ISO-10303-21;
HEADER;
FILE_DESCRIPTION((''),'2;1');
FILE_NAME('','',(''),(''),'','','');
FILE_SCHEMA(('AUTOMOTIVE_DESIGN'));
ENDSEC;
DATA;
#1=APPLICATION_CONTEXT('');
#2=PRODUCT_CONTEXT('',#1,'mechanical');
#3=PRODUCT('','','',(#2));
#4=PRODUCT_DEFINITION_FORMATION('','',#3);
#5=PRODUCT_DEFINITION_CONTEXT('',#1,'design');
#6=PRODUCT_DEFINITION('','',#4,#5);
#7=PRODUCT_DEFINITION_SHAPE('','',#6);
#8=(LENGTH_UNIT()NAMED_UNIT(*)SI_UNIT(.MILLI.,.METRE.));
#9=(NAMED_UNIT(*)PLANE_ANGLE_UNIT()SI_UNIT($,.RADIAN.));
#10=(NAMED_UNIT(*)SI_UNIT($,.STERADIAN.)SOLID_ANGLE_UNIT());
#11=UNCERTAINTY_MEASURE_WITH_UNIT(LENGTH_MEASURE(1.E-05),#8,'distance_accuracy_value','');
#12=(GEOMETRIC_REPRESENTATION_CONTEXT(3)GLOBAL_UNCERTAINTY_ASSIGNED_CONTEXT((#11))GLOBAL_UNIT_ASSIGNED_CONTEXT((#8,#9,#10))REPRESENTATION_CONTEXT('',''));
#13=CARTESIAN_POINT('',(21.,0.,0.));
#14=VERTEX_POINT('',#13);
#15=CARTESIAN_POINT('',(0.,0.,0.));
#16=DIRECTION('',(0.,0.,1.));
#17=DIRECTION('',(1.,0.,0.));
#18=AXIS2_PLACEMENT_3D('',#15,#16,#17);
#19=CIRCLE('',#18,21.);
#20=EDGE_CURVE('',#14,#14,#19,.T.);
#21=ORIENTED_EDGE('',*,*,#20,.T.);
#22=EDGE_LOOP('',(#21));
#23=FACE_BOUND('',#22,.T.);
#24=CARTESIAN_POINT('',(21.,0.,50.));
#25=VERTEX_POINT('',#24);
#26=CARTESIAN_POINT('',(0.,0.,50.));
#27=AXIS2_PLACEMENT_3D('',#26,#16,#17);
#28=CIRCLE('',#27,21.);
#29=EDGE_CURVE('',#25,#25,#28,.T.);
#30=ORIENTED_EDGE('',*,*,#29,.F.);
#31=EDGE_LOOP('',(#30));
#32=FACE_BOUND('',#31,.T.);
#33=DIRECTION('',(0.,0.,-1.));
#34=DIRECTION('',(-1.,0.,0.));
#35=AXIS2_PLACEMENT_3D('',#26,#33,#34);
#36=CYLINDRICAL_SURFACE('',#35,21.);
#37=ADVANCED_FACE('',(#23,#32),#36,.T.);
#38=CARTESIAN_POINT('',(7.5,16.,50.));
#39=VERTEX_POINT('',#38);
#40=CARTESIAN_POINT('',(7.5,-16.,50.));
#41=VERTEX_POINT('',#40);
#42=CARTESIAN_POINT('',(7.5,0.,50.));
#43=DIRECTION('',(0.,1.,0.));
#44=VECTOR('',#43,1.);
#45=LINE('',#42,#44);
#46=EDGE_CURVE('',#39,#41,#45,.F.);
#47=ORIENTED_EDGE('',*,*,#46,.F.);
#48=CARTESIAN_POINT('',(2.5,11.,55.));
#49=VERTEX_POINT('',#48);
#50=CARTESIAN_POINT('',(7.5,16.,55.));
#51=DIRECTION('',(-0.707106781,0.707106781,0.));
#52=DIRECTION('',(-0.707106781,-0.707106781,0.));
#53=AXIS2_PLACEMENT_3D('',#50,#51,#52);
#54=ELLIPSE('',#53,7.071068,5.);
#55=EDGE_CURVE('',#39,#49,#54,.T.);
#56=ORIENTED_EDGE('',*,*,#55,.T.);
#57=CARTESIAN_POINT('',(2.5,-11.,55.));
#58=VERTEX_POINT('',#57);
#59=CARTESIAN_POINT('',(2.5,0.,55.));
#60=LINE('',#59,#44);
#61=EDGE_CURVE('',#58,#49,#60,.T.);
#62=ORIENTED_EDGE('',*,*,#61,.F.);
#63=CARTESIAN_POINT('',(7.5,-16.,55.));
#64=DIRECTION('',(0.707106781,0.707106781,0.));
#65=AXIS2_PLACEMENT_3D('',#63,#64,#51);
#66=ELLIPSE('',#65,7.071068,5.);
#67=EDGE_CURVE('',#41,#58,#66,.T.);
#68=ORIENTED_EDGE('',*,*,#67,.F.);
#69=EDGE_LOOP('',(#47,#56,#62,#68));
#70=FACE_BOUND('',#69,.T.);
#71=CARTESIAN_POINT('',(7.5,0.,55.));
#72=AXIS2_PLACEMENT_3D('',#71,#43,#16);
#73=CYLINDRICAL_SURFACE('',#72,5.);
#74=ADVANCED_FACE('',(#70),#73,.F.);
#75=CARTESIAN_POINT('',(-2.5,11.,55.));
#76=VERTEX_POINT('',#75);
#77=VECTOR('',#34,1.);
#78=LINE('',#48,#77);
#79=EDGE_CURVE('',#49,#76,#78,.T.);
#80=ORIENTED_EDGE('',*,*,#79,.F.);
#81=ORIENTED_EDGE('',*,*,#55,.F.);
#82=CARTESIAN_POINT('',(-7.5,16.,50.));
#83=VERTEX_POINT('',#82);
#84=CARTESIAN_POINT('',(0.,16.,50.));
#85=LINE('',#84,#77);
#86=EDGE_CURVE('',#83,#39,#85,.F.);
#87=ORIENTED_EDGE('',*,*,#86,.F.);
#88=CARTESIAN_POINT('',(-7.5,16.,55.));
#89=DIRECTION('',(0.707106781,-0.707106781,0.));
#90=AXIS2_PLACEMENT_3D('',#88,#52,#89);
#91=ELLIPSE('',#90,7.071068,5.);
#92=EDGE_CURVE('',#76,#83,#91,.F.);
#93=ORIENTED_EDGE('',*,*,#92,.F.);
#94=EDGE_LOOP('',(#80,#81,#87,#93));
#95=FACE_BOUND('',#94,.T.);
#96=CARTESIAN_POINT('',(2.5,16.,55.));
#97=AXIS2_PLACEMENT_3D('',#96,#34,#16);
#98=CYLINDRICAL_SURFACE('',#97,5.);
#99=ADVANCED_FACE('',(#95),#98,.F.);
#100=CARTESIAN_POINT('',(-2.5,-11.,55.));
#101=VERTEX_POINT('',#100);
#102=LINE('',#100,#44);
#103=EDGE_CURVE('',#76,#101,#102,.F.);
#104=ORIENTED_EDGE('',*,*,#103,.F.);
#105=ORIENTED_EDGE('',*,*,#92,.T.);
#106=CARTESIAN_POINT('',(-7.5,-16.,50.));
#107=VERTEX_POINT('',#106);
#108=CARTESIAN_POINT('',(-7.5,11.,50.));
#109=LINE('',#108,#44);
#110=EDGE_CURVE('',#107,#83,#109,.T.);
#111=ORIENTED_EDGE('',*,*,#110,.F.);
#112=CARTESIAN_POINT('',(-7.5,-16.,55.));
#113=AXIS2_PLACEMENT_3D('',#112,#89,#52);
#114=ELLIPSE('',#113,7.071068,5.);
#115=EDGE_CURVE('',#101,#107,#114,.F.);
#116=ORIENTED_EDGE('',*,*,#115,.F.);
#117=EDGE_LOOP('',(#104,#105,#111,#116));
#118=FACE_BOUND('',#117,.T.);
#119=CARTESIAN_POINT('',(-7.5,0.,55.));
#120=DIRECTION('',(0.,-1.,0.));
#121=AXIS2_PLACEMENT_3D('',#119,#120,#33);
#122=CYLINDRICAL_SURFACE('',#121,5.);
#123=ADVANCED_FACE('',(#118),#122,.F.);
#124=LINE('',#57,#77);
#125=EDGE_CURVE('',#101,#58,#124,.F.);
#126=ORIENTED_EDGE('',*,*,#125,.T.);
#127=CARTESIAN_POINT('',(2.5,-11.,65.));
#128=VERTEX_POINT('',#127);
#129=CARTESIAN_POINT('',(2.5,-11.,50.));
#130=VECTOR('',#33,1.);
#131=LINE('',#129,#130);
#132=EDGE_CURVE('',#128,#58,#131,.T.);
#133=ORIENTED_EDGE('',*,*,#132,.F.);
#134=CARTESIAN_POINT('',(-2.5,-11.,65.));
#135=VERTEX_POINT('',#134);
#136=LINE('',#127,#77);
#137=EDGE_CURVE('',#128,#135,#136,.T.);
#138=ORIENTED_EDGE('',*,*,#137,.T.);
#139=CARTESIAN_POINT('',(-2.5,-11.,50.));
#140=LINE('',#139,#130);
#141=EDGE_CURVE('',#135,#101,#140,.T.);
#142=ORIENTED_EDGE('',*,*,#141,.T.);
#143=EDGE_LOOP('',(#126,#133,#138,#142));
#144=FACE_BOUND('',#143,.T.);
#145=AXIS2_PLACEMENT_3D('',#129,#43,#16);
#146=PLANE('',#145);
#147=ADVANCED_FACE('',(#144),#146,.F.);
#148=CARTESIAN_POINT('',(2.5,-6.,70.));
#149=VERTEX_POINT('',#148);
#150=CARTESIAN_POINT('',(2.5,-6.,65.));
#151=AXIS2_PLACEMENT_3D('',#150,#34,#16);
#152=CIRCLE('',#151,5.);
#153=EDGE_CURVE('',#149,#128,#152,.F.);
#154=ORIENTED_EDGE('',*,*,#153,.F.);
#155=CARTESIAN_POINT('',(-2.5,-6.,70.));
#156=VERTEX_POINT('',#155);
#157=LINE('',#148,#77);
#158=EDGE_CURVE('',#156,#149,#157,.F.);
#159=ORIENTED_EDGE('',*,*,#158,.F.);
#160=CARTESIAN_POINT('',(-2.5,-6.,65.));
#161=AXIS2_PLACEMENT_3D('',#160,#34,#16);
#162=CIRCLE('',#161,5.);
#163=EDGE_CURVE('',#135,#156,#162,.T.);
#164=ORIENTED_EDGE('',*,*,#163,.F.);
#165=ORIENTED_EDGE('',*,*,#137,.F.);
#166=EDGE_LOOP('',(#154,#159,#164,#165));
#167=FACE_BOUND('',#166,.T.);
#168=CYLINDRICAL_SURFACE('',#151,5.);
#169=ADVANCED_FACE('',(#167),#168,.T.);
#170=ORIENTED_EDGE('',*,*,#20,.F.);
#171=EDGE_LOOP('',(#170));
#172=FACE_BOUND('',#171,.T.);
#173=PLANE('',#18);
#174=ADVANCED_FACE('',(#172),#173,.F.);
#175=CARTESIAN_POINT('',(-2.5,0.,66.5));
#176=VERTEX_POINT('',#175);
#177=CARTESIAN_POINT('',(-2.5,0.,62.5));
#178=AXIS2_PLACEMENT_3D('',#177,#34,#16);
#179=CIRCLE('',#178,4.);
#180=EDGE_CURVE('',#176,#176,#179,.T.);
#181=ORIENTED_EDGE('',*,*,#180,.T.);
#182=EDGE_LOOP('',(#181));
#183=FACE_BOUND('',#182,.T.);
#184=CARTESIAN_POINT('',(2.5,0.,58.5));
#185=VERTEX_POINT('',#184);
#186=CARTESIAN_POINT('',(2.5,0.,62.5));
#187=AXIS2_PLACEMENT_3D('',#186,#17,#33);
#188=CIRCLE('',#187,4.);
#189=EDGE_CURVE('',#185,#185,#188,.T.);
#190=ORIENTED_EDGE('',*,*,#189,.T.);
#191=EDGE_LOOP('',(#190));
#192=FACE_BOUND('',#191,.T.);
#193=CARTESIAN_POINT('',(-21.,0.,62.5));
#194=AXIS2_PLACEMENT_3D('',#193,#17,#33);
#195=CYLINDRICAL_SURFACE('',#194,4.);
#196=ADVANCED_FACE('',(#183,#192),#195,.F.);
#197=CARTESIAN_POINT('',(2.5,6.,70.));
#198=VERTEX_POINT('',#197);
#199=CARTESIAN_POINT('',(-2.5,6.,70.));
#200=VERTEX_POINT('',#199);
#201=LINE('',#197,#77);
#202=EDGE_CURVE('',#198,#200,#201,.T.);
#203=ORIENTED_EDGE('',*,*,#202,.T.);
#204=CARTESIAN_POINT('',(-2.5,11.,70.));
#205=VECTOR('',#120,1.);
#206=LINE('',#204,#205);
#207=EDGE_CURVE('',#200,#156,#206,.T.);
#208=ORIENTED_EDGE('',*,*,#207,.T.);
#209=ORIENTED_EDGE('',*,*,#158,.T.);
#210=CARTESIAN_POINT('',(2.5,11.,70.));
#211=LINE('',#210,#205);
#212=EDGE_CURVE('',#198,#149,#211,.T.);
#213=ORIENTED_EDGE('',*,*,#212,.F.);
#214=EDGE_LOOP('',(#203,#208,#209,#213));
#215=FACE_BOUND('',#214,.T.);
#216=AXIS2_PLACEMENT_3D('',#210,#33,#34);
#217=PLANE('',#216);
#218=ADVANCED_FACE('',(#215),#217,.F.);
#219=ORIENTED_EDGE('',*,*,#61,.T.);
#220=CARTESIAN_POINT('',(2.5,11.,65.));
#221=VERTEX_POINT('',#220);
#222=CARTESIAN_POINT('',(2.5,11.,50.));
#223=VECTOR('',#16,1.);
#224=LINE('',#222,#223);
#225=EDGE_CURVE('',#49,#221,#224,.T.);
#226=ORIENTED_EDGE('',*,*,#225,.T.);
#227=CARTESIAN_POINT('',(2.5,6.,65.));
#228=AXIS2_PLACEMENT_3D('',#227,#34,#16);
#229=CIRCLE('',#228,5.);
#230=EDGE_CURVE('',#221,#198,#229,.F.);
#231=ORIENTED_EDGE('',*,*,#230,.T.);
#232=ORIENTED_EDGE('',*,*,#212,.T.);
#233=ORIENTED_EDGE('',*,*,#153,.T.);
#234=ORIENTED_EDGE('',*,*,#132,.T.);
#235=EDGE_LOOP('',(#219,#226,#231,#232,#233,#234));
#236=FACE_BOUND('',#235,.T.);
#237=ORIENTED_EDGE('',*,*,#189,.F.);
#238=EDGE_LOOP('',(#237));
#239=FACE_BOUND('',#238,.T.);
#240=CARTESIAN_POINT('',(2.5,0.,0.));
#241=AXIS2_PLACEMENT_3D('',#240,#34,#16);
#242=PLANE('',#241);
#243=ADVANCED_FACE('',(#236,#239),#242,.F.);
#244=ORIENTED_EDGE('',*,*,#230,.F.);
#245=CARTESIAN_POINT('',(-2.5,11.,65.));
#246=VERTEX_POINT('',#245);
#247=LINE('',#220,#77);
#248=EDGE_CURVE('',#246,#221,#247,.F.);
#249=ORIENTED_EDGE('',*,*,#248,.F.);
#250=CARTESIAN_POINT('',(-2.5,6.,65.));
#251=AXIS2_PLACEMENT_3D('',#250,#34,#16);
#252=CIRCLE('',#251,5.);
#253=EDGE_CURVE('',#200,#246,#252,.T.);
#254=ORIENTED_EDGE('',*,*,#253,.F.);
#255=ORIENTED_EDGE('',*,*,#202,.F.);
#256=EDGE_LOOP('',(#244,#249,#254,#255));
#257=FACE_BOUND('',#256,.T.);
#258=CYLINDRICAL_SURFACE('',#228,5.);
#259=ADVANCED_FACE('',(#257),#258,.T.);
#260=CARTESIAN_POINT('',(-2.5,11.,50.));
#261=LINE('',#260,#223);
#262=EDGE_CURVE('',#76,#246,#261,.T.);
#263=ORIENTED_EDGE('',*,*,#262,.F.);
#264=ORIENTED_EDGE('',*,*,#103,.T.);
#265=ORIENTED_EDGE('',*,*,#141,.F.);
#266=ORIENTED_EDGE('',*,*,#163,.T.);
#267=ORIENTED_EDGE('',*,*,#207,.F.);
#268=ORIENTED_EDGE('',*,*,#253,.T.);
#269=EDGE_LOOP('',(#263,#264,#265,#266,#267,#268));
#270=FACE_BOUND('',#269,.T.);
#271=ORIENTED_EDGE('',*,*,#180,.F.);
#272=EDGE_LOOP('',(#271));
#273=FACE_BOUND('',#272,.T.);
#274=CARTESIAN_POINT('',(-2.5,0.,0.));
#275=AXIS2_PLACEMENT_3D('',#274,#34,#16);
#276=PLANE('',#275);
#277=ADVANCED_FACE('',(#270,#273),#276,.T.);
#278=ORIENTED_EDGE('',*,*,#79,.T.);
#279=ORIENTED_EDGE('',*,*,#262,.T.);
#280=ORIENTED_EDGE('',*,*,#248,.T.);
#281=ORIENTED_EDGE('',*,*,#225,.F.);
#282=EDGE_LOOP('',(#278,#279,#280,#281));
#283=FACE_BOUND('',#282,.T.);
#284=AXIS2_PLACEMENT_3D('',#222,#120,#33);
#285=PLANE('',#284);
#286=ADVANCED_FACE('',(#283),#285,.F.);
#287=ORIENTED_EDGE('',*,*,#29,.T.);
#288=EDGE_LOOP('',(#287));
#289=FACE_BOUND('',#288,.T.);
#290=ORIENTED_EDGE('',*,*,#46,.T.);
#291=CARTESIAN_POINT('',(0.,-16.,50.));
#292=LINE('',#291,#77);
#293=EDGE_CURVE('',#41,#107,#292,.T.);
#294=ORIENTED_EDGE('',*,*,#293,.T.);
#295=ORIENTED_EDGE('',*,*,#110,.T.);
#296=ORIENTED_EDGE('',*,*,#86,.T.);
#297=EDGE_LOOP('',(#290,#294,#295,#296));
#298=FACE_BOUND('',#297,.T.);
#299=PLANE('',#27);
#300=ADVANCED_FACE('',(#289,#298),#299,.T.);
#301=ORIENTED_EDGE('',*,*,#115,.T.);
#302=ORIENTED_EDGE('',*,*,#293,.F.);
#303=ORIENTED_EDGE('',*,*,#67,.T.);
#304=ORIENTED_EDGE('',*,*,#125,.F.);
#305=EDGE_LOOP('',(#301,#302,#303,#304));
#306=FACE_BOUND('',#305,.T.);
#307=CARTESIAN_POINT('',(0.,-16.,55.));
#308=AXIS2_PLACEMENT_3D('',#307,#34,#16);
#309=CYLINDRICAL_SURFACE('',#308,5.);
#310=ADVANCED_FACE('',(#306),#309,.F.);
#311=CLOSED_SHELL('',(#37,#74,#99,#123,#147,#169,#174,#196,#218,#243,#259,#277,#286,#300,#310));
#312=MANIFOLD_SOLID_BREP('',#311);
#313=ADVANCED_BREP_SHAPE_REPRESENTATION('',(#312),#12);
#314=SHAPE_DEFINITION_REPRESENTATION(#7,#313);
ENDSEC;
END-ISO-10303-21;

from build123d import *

# Parameters (mm, degrees)
SKETCH1_R           = 21
BOSS_EXTRUDE1_DEPTH = 50
SKETCH2_W           = 20
SKETCH2_H           = 22
BOSS_EXTRUDE2_DEPTH = 2.5
FILLET1_R           = 5
FILLET2_R           = 5
SKETCH3_R           = 4
CUT_EXTRUDE1_DEPTH  = 24.5


with BuildPart() as part:
    # Sketch1 → Boss-Extrude1 (new body)
    with BuildSketch(Plane.XY):
        Circle(SKETCH1_R)
    extrude(amount=BOSS_EXTRUDE1_DEPTH)

    # Sketch2 → Boss-Extrude2 (add, symmetric)
    with BuildSketch(Plane(origin=(0, 0, 0), x_dir=(0, 0, -1), z_dir=(1, 0, 0))):
        with Locations((-60, 0)):
            Rectangle(SKETCH2_W, SKETCH2_H)
    extrude(amount=BOSS_EXTRUDE2_DEPTH, both=True)

    # Fillet1
    fillet1_edges = [part.edges().sort_by_distance(p)[0] for p in [
        (-2.5, 0, 50),
        (0, -11, 50),
        (0, 11, 50),
        (2.5, 0, 50),
    ]]
    fillet(fillet1_edges, radius=FILLET1_R)

    # Fillet2
    fillet2_edges = [part.edges().sort_by_distance(p)[0] for p in [
        (0, 11, 70),
        (0, -11, 70),
    ]]
    fillet(fillet2_edges, radius=FILLET2_R)

    # Sketch3 → Cut-Extrude1 (cut, through all)
    with BuildSketch(Plane(origin=(2.5, 0, 0), x_dir=(0, 0, -1), z_dir=(1, 0, 0))):
        with Locations((-62.5, 0)):
            Circle(SKETCH3_R)
    extrude(amount=-CUT_EXTRUDE1_DEPTH, mode=Mode.SUBTRACT)


solid = part.part
